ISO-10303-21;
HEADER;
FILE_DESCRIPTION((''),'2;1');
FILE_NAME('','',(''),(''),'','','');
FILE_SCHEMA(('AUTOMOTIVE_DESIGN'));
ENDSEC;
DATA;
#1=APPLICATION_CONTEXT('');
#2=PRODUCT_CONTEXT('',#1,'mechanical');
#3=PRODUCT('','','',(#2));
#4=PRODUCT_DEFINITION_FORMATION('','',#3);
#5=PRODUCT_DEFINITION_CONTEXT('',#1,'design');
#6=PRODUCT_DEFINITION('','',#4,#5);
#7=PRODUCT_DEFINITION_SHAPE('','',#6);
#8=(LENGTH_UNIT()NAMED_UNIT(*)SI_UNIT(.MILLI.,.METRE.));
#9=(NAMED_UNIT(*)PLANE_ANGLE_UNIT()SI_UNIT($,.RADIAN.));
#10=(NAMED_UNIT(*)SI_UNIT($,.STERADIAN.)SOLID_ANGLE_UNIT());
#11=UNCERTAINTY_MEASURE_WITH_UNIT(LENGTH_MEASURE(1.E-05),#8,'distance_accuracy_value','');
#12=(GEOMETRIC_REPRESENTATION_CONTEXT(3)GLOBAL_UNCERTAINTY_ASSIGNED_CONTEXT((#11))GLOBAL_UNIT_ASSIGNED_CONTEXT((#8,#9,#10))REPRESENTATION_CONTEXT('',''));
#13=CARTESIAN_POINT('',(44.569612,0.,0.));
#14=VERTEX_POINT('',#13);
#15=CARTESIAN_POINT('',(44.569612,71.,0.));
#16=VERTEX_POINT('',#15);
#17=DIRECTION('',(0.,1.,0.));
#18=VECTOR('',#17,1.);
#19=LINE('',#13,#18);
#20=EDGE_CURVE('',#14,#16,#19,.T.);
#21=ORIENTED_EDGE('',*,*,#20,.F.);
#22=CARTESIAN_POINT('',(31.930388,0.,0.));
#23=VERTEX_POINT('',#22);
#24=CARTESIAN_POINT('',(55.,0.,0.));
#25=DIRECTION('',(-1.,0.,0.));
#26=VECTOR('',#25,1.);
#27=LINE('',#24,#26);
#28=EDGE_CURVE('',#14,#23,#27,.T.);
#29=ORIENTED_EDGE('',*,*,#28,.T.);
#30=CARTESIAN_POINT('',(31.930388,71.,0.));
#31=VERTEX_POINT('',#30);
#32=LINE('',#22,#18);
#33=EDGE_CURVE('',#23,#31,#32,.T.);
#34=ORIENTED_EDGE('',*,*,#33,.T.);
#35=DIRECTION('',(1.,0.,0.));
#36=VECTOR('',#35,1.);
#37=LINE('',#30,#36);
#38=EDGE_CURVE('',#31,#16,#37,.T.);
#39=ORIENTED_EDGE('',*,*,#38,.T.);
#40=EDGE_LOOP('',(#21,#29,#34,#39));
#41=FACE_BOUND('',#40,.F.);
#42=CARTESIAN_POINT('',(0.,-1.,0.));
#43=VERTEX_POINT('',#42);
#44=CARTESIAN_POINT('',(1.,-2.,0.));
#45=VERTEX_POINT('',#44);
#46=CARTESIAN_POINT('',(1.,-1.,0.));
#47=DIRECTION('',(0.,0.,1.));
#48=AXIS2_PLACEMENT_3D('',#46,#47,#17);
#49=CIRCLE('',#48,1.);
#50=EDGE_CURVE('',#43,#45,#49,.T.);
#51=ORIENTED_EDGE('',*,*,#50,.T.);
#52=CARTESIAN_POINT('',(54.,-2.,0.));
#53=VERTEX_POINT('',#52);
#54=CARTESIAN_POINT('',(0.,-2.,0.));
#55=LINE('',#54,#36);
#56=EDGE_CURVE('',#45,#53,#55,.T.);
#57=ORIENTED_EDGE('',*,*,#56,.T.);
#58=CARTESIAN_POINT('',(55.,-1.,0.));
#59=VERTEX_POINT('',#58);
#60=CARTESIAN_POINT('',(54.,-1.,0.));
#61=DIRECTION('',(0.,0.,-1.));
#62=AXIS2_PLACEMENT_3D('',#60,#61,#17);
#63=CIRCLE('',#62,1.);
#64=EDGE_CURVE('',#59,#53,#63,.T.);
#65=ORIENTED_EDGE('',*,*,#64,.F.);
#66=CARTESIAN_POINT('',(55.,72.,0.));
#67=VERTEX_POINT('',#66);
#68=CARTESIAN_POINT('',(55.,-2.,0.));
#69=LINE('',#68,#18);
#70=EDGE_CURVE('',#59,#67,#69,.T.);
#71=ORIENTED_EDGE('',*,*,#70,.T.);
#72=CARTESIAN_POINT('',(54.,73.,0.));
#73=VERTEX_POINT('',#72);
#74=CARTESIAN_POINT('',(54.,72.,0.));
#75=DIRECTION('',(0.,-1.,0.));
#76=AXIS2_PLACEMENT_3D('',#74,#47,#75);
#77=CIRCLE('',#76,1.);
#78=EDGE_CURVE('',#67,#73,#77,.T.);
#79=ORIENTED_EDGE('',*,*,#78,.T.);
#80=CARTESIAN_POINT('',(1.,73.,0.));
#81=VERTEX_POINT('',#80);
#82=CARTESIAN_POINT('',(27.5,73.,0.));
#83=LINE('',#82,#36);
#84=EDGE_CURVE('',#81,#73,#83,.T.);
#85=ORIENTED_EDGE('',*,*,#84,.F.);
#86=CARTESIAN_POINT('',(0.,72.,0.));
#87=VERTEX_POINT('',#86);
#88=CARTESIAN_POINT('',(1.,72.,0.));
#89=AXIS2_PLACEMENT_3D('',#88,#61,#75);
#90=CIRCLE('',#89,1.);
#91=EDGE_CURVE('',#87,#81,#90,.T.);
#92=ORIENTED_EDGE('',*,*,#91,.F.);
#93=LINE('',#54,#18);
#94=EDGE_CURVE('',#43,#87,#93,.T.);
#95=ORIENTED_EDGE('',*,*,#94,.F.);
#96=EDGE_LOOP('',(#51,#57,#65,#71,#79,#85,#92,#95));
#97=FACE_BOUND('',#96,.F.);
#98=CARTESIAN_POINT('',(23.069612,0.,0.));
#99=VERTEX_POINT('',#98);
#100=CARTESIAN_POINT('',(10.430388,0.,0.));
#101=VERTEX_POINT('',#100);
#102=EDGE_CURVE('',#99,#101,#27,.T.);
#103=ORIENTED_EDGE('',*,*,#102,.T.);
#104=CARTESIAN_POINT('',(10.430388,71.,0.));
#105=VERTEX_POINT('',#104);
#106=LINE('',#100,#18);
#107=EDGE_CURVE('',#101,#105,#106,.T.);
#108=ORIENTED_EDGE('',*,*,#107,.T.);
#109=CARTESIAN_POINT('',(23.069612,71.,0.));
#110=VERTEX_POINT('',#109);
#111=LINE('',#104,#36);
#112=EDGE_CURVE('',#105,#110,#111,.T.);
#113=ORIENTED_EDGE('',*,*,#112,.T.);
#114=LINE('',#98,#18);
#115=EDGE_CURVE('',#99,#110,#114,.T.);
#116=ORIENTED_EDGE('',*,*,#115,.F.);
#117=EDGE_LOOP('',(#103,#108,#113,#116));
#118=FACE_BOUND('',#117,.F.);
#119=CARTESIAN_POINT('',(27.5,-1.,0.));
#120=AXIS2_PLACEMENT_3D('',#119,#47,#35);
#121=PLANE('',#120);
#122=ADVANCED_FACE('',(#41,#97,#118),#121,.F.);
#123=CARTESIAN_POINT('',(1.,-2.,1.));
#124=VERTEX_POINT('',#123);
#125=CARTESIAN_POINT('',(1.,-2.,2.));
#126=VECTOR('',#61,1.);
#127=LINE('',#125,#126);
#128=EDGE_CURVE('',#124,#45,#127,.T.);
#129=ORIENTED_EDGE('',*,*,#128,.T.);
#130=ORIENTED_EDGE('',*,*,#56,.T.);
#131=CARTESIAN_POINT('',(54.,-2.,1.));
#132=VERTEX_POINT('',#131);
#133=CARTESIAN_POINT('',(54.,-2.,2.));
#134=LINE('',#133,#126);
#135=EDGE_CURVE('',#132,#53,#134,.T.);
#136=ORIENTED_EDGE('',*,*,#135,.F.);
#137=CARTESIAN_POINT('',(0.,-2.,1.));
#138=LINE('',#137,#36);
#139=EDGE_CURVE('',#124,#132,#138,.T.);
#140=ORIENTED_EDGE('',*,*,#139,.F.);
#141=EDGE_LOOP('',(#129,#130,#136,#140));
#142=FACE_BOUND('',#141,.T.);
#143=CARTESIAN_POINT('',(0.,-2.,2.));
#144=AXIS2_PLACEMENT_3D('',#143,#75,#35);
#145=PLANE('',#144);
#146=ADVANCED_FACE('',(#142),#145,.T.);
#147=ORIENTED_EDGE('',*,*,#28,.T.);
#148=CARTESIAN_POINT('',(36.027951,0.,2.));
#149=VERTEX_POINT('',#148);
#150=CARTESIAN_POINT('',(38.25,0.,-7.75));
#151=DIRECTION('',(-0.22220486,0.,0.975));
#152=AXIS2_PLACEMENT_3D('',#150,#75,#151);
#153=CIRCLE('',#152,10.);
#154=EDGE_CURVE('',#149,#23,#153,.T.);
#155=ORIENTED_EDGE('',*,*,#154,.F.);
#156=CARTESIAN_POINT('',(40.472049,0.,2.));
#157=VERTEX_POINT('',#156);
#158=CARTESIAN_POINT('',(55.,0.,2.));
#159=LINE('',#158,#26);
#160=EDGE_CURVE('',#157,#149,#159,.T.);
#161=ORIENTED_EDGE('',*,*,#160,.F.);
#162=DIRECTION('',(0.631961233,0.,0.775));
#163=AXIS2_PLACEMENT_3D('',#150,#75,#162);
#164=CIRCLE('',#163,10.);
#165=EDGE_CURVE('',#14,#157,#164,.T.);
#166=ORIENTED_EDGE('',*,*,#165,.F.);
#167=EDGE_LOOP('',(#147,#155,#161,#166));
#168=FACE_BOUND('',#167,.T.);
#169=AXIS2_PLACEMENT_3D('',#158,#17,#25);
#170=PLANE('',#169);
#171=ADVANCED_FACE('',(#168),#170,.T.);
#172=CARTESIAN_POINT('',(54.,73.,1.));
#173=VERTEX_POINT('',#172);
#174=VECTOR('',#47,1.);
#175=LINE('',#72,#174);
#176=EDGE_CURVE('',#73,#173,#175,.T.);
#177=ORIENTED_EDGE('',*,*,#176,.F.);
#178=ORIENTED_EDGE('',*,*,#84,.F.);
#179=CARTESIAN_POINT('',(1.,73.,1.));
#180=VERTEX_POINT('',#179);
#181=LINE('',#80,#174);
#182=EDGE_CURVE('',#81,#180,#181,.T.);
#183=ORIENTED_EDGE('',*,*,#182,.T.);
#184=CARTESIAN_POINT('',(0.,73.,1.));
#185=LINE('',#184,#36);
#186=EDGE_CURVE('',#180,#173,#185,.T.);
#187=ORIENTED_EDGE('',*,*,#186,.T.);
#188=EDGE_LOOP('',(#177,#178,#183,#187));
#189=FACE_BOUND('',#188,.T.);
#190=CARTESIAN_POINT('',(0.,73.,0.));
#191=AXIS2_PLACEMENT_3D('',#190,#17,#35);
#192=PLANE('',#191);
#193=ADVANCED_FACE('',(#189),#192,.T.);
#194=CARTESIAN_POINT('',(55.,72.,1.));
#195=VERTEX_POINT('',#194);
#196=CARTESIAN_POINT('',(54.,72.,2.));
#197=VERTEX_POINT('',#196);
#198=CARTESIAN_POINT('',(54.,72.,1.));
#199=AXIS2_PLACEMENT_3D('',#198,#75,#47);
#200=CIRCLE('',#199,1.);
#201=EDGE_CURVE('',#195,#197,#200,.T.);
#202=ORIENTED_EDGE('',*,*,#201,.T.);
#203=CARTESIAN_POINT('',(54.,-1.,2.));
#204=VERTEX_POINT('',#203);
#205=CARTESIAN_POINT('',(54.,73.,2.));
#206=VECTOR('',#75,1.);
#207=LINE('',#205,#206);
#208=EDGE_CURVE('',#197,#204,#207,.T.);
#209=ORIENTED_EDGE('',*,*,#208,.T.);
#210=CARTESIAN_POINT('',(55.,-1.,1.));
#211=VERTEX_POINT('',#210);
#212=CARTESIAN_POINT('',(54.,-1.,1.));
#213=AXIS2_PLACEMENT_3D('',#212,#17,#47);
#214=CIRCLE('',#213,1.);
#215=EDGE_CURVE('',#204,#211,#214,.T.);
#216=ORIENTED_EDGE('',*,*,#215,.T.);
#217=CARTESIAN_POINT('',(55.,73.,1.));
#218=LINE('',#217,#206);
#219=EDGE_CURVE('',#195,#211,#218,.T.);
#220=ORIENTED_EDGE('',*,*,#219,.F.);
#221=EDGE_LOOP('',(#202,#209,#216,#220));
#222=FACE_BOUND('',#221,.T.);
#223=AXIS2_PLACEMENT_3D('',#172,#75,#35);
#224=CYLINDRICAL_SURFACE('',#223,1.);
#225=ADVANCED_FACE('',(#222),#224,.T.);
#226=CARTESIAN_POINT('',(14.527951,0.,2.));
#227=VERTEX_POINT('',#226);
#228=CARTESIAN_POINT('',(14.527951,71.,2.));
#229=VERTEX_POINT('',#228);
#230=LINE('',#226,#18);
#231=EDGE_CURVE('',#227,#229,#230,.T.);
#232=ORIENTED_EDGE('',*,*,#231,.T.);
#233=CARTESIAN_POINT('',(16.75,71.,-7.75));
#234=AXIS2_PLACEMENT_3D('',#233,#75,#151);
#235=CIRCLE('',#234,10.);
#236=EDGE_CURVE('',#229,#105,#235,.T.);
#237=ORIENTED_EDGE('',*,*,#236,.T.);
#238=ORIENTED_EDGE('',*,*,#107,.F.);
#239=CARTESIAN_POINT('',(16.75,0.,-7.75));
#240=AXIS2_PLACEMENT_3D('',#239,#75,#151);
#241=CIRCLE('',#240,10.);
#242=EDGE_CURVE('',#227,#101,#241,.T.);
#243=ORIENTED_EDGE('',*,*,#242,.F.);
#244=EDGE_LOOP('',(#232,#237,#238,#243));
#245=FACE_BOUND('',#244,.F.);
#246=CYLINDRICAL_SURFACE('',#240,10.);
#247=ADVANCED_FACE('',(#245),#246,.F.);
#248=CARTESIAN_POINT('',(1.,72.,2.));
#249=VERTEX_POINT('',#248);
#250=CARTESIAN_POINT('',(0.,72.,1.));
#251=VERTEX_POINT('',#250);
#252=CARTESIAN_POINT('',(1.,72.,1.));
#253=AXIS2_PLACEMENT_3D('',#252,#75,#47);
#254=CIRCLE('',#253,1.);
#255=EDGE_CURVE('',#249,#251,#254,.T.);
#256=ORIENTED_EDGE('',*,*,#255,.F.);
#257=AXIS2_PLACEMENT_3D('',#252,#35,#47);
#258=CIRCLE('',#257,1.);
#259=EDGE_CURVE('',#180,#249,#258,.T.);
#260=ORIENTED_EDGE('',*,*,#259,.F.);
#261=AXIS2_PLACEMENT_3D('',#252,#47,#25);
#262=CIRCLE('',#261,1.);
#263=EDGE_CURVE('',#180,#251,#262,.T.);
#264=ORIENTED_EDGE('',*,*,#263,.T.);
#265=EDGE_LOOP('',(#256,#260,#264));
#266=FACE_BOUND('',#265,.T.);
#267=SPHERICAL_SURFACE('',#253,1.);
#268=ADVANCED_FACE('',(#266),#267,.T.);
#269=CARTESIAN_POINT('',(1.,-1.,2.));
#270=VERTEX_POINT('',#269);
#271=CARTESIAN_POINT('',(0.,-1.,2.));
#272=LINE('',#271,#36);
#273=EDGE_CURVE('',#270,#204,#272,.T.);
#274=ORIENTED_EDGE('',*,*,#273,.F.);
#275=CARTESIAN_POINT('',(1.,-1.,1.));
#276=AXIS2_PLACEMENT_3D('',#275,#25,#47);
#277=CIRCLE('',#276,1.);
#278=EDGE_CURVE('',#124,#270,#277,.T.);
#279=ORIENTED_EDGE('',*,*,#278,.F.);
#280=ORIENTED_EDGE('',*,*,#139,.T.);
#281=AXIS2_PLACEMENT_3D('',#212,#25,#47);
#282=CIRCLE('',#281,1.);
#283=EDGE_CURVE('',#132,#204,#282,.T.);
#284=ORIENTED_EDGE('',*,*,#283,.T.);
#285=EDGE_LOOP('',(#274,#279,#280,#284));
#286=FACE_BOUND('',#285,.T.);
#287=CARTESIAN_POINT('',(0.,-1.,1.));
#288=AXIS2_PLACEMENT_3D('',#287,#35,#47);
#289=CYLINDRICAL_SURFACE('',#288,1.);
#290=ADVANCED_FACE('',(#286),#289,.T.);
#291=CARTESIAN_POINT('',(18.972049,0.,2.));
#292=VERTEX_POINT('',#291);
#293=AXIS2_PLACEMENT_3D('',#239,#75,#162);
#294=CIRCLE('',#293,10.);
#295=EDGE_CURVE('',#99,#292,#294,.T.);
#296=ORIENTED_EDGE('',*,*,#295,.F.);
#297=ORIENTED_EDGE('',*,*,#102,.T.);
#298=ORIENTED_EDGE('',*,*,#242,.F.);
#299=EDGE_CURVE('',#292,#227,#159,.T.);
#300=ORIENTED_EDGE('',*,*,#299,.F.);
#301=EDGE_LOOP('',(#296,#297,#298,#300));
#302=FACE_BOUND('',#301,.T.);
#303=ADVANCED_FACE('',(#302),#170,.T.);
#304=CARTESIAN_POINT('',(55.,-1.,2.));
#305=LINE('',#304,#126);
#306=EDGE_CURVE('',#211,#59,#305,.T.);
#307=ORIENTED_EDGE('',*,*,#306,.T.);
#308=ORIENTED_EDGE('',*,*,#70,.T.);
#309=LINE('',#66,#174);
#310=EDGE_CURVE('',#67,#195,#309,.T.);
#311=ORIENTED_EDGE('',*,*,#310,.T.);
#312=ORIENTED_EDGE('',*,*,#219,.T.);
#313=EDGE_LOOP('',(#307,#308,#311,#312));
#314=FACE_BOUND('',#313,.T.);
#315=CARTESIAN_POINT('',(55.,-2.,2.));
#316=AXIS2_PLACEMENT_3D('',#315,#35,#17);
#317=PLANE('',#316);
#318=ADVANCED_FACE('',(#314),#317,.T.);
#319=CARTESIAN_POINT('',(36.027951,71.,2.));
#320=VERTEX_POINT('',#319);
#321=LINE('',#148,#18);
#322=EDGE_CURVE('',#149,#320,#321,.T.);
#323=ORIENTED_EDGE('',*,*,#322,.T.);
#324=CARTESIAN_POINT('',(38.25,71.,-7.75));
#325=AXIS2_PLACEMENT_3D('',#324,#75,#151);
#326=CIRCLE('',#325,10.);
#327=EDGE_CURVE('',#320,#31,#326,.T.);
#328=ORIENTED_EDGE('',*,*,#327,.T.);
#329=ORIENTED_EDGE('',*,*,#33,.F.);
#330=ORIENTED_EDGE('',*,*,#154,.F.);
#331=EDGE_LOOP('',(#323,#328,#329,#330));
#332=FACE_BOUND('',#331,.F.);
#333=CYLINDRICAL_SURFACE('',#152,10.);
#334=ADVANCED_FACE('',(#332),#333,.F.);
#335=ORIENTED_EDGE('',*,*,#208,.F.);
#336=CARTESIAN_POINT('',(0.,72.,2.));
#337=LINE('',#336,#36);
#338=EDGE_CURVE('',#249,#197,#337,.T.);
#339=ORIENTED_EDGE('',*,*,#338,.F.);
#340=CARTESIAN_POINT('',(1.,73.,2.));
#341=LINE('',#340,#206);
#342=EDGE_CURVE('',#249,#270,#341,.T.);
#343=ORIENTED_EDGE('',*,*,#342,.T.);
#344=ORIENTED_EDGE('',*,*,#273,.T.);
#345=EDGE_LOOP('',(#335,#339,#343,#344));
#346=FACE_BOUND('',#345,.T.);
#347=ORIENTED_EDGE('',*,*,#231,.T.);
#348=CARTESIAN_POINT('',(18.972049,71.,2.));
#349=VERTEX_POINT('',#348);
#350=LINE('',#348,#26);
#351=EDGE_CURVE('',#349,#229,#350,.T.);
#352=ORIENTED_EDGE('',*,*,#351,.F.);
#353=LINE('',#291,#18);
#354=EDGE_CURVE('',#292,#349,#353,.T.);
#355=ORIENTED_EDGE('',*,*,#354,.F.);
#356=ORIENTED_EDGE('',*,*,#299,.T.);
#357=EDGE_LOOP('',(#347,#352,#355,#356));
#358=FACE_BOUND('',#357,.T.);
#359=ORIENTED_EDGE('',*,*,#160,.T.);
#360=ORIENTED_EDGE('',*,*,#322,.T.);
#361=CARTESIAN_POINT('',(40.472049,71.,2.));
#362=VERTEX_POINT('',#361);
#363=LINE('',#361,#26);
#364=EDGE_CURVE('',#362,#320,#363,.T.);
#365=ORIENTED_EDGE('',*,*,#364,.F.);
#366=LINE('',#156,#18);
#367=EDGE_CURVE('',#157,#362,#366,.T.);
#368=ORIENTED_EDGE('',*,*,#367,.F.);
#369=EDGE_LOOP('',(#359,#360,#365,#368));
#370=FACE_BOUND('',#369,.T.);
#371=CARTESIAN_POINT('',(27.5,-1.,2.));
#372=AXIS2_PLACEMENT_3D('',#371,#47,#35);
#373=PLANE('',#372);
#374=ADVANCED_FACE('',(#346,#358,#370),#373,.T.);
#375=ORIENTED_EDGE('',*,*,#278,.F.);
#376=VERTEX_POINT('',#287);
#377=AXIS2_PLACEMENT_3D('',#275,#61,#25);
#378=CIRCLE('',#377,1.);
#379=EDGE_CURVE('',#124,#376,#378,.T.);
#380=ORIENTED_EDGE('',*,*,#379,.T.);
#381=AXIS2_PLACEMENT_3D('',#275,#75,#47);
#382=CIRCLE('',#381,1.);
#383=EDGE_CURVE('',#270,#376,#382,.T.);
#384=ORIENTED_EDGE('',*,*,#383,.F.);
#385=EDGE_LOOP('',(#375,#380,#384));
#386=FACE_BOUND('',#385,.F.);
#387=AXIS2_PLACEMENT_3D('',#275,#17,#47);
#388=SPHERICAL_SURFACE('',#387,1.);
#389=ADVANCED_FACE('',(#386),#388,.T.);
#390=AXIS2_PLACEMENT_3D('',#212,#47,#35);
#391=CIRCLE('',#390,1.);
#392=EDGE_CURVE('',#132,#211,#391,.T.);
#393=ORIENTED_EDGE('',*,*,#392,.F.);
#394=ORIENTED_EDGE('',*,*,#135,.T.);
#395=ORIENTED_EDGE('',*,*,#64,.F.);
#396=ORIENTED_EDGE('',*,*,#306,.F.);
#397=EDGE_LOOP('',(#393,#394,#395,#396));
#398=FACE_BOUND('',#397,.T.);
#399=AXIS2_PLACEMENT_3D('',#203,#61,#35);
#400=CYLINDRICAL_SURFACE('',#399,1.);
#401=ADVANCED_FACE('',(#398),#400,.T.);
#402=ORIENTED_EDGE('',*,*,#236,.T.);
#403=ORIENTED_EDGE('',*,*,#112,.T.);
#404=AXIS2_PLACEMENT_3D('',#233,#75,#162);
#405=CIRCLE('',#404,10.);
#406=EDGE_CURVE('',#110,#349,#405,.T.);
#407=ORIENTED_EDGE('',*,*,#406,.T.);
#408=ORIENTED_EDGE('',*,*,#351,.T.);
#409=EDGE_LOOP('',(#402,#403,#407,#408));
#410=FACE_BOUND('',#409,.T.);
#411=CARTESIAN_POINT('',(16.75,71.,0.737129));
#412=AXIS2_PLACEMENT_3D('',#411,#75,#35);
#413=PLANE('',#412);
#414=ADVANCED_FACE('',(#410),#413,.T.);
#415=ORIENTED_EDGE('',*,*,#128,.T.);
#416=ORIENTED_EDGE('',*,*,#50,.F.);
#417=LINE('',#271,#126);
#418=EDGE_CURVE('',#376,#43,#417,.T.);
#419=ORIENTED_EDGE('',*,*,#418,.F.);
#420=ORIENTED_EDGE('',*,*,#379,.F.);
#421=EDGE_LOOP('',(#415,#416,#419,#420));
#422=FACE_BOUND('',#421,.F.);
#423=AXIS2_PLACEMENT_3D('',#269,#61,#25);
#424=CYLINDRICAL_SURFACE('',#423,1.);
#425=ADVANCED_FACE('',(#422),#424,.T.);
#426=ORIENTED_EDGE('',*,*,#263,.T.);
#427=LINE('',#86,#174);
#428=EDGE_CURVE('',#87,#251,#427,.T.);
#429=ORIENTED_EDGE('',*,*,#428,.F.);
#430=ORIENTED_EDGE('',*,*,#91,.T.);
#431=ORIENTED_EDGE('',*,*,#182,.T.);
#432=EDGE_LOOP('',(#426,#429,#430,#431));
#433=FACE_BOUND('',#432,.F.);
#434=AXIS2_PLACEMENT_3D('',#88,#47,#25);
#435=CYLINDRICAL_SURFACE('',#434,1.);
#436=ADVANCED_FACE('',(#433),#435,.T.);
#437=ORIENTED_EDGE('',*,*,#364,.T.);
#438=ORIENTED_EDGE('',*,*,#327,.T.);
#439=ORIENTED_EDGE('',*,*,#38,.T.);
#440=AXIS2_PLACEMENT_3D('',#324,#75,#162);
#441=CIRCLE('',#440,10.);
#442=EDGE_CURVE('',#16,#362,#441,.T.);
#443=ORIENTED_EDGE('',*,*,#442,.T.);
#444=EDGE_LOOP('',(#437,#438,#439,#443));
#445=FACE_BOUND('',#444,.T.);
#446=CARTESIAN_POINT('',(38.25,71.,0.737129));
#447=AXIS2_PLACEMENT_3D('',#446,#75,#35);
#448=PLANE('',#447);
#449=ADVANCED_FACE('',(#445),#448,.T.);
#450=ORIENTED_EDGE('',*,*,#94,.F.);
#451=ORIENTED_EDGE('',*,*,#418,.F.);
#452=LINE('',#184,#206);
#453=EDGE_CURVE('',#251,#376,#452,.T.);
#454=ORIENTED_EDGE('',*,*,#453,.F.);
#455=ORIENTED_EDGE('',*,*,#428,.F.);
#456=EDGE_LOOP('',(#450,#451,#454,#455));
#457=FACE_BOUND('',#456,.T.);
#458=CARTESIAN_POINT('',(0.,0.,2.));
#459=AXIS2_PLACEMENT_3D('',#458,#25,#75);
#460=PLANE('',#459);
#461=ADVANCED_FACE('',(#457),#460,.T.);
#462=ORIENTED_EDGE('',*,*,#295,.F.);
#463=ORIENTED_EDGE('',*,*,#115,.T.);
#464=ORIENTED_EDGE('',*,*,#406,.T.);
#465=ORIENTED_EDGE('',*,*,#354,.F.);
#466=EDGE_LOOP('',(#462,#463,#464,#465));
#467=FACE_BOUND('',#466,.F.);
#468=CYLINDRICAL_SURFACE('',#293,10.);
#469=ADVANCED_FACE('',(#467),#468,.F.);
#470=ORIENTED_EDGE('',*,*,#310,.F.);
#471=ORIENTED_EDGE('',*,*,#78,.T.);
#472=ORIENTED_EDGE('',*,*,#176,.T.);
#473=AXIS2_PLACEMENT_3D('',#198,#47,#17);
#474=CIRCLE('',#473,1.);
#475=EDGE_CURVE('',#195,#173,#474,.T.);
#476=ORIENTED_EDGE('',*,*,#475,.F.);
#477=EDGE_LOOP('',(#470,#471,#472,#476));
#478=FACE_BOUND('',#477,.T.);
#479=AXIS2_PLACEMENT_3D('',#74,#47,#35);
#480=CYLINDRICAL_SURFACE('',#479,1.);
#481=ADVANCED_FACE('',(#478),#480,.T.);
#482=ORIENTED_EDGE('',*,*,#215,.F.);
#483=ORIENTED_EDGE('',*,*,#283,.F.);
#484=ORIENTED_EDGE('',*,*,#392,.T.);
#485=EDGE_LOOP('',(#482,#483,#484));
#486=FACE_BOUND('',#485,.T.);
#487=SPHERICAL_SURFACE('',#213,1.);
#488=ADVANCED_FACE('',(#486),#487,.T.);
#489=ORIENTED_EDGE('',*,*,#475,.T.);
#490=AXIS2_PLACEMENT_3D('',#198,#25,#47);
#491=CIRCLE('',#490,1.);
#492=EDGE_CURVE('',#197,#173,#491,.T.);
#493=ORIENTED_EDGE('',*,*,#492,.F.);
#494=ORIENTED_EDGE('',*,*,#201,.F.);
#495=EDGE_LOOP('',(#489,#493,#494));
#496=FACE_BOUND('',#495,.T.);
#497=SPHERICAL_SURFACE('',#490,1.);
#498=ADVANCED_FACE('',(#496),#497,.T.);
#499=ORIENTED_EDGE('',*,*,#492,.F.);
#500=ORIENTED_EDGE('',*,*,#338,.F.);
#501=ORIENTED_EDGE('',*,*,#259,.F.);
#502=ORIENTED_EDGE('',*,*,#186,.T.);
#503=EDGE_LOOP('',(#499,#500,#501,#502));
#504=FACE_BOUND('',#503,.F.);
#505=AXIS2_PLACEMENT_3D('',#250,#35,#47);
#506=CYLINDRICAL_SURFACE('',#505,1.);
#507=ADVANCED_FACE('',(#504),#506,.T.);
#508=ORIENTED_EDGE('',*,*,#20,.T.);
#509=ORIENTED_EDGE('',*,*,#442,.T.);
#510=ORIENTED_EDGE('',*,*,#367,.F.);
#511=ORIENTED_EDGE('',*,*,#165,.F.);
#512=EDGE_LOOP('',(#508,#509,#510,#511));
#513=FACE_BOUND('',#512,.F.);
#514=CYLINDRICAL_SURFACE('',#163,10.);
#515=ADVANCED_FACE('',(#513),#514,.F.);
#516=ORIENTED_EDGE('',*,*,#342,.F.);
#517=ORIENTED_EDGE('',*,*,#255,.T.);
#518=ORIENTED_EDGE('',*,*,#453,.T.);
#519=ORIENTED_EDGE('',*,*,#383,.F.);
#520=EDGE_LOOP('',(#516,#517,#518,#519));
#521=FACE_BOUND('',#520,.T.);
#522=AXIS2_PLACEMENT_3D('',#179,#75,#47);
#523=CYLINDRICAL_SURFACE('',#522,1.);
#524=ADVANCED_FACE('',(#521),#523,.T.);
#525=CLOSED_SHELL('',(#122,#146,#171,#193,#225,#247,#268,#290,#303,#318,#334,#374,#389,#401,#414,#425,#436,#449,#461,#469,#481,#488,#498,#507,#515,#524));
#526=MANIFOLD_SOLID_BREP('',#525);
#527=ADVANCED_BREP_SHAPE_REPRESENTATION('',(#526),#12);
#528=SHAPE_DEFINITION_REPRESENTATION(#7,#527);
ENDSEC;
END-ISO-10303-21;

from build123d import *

# Parameters (mm, degrees)
F0_W     = 55
F0_H     = 73
F1_DEPTH = 2
F3_DEPTH = 71
F5_DEPTH = 2
F6_R     = 1


with BuildPart() as f1:
    # F0 (on Top) → F1 (new body)
    with BuildSketch(Plane.XY):
        with Locations((27.5, 36.5)):
            Rectangle(F0_W, F0_H)
    extrude(amount=F1_DEPTH)

    # F2 (on face) → F3 (cut)
    with BuildSketch(Plane.XZ):
        with BuildLine():
            ThreePointArc((36.0279513957, 2), (33.8636583719, 1.2366571717), (31.9303876701, 0))
            Line((31.9303876701, 0), (44.5696123299, 0))
            ThreePointArc((44.5696123299, 0), (42.6363416281, 1.2366571717), (40.4720486043, 2))
            Line((40.4720486043, 2), (36.0279513957, 2))
        make_face()
        with BuildLine():
            Line((10.4303876701, 0), (23.0696123299, 0))
            ThreePointArc((23.0696123299, 0), (21.1363416281, 1.2366571717), (18.9720486043, 2))
            Line((18.9720486043, 2), (14.5279513957, 2))
            ThreePointArc((14.5279513957, 2), (12.3636583719, 1.2366571717), (10.4303876701, 0))
        make_face()
    extrude(amount=-F3_DEPTH, mode=Mode.SUBTRACT)

    # F4 (on face) → F5 (join)
    with BuildSketch(Plane.XY.offset(2)):
        Polygon((55, -2), (55, 0), (40.4720486043, 0), (36.0279513957, 0), (18.9720486043, 0), (14.5279513957, 0), (0, 0), (0, -2), align=None)
    extrude(amount=-F5_DEPTH)

    # F6
    f6_edges = [f1.edges().sort_by_distance(p)[0] for p in [
        (0, 35.5, 2),
        (27.5, 73, 2),
        (55, 35.5, 2),
        (27.5, -2, 2),
        (55, 73, 1),
        (0, 73, 1),
        (0, -2, 1),
        (55, -2, 1),
    ]]
    fillet(f6_edges, radius=F6_R)


solid = f1.part
